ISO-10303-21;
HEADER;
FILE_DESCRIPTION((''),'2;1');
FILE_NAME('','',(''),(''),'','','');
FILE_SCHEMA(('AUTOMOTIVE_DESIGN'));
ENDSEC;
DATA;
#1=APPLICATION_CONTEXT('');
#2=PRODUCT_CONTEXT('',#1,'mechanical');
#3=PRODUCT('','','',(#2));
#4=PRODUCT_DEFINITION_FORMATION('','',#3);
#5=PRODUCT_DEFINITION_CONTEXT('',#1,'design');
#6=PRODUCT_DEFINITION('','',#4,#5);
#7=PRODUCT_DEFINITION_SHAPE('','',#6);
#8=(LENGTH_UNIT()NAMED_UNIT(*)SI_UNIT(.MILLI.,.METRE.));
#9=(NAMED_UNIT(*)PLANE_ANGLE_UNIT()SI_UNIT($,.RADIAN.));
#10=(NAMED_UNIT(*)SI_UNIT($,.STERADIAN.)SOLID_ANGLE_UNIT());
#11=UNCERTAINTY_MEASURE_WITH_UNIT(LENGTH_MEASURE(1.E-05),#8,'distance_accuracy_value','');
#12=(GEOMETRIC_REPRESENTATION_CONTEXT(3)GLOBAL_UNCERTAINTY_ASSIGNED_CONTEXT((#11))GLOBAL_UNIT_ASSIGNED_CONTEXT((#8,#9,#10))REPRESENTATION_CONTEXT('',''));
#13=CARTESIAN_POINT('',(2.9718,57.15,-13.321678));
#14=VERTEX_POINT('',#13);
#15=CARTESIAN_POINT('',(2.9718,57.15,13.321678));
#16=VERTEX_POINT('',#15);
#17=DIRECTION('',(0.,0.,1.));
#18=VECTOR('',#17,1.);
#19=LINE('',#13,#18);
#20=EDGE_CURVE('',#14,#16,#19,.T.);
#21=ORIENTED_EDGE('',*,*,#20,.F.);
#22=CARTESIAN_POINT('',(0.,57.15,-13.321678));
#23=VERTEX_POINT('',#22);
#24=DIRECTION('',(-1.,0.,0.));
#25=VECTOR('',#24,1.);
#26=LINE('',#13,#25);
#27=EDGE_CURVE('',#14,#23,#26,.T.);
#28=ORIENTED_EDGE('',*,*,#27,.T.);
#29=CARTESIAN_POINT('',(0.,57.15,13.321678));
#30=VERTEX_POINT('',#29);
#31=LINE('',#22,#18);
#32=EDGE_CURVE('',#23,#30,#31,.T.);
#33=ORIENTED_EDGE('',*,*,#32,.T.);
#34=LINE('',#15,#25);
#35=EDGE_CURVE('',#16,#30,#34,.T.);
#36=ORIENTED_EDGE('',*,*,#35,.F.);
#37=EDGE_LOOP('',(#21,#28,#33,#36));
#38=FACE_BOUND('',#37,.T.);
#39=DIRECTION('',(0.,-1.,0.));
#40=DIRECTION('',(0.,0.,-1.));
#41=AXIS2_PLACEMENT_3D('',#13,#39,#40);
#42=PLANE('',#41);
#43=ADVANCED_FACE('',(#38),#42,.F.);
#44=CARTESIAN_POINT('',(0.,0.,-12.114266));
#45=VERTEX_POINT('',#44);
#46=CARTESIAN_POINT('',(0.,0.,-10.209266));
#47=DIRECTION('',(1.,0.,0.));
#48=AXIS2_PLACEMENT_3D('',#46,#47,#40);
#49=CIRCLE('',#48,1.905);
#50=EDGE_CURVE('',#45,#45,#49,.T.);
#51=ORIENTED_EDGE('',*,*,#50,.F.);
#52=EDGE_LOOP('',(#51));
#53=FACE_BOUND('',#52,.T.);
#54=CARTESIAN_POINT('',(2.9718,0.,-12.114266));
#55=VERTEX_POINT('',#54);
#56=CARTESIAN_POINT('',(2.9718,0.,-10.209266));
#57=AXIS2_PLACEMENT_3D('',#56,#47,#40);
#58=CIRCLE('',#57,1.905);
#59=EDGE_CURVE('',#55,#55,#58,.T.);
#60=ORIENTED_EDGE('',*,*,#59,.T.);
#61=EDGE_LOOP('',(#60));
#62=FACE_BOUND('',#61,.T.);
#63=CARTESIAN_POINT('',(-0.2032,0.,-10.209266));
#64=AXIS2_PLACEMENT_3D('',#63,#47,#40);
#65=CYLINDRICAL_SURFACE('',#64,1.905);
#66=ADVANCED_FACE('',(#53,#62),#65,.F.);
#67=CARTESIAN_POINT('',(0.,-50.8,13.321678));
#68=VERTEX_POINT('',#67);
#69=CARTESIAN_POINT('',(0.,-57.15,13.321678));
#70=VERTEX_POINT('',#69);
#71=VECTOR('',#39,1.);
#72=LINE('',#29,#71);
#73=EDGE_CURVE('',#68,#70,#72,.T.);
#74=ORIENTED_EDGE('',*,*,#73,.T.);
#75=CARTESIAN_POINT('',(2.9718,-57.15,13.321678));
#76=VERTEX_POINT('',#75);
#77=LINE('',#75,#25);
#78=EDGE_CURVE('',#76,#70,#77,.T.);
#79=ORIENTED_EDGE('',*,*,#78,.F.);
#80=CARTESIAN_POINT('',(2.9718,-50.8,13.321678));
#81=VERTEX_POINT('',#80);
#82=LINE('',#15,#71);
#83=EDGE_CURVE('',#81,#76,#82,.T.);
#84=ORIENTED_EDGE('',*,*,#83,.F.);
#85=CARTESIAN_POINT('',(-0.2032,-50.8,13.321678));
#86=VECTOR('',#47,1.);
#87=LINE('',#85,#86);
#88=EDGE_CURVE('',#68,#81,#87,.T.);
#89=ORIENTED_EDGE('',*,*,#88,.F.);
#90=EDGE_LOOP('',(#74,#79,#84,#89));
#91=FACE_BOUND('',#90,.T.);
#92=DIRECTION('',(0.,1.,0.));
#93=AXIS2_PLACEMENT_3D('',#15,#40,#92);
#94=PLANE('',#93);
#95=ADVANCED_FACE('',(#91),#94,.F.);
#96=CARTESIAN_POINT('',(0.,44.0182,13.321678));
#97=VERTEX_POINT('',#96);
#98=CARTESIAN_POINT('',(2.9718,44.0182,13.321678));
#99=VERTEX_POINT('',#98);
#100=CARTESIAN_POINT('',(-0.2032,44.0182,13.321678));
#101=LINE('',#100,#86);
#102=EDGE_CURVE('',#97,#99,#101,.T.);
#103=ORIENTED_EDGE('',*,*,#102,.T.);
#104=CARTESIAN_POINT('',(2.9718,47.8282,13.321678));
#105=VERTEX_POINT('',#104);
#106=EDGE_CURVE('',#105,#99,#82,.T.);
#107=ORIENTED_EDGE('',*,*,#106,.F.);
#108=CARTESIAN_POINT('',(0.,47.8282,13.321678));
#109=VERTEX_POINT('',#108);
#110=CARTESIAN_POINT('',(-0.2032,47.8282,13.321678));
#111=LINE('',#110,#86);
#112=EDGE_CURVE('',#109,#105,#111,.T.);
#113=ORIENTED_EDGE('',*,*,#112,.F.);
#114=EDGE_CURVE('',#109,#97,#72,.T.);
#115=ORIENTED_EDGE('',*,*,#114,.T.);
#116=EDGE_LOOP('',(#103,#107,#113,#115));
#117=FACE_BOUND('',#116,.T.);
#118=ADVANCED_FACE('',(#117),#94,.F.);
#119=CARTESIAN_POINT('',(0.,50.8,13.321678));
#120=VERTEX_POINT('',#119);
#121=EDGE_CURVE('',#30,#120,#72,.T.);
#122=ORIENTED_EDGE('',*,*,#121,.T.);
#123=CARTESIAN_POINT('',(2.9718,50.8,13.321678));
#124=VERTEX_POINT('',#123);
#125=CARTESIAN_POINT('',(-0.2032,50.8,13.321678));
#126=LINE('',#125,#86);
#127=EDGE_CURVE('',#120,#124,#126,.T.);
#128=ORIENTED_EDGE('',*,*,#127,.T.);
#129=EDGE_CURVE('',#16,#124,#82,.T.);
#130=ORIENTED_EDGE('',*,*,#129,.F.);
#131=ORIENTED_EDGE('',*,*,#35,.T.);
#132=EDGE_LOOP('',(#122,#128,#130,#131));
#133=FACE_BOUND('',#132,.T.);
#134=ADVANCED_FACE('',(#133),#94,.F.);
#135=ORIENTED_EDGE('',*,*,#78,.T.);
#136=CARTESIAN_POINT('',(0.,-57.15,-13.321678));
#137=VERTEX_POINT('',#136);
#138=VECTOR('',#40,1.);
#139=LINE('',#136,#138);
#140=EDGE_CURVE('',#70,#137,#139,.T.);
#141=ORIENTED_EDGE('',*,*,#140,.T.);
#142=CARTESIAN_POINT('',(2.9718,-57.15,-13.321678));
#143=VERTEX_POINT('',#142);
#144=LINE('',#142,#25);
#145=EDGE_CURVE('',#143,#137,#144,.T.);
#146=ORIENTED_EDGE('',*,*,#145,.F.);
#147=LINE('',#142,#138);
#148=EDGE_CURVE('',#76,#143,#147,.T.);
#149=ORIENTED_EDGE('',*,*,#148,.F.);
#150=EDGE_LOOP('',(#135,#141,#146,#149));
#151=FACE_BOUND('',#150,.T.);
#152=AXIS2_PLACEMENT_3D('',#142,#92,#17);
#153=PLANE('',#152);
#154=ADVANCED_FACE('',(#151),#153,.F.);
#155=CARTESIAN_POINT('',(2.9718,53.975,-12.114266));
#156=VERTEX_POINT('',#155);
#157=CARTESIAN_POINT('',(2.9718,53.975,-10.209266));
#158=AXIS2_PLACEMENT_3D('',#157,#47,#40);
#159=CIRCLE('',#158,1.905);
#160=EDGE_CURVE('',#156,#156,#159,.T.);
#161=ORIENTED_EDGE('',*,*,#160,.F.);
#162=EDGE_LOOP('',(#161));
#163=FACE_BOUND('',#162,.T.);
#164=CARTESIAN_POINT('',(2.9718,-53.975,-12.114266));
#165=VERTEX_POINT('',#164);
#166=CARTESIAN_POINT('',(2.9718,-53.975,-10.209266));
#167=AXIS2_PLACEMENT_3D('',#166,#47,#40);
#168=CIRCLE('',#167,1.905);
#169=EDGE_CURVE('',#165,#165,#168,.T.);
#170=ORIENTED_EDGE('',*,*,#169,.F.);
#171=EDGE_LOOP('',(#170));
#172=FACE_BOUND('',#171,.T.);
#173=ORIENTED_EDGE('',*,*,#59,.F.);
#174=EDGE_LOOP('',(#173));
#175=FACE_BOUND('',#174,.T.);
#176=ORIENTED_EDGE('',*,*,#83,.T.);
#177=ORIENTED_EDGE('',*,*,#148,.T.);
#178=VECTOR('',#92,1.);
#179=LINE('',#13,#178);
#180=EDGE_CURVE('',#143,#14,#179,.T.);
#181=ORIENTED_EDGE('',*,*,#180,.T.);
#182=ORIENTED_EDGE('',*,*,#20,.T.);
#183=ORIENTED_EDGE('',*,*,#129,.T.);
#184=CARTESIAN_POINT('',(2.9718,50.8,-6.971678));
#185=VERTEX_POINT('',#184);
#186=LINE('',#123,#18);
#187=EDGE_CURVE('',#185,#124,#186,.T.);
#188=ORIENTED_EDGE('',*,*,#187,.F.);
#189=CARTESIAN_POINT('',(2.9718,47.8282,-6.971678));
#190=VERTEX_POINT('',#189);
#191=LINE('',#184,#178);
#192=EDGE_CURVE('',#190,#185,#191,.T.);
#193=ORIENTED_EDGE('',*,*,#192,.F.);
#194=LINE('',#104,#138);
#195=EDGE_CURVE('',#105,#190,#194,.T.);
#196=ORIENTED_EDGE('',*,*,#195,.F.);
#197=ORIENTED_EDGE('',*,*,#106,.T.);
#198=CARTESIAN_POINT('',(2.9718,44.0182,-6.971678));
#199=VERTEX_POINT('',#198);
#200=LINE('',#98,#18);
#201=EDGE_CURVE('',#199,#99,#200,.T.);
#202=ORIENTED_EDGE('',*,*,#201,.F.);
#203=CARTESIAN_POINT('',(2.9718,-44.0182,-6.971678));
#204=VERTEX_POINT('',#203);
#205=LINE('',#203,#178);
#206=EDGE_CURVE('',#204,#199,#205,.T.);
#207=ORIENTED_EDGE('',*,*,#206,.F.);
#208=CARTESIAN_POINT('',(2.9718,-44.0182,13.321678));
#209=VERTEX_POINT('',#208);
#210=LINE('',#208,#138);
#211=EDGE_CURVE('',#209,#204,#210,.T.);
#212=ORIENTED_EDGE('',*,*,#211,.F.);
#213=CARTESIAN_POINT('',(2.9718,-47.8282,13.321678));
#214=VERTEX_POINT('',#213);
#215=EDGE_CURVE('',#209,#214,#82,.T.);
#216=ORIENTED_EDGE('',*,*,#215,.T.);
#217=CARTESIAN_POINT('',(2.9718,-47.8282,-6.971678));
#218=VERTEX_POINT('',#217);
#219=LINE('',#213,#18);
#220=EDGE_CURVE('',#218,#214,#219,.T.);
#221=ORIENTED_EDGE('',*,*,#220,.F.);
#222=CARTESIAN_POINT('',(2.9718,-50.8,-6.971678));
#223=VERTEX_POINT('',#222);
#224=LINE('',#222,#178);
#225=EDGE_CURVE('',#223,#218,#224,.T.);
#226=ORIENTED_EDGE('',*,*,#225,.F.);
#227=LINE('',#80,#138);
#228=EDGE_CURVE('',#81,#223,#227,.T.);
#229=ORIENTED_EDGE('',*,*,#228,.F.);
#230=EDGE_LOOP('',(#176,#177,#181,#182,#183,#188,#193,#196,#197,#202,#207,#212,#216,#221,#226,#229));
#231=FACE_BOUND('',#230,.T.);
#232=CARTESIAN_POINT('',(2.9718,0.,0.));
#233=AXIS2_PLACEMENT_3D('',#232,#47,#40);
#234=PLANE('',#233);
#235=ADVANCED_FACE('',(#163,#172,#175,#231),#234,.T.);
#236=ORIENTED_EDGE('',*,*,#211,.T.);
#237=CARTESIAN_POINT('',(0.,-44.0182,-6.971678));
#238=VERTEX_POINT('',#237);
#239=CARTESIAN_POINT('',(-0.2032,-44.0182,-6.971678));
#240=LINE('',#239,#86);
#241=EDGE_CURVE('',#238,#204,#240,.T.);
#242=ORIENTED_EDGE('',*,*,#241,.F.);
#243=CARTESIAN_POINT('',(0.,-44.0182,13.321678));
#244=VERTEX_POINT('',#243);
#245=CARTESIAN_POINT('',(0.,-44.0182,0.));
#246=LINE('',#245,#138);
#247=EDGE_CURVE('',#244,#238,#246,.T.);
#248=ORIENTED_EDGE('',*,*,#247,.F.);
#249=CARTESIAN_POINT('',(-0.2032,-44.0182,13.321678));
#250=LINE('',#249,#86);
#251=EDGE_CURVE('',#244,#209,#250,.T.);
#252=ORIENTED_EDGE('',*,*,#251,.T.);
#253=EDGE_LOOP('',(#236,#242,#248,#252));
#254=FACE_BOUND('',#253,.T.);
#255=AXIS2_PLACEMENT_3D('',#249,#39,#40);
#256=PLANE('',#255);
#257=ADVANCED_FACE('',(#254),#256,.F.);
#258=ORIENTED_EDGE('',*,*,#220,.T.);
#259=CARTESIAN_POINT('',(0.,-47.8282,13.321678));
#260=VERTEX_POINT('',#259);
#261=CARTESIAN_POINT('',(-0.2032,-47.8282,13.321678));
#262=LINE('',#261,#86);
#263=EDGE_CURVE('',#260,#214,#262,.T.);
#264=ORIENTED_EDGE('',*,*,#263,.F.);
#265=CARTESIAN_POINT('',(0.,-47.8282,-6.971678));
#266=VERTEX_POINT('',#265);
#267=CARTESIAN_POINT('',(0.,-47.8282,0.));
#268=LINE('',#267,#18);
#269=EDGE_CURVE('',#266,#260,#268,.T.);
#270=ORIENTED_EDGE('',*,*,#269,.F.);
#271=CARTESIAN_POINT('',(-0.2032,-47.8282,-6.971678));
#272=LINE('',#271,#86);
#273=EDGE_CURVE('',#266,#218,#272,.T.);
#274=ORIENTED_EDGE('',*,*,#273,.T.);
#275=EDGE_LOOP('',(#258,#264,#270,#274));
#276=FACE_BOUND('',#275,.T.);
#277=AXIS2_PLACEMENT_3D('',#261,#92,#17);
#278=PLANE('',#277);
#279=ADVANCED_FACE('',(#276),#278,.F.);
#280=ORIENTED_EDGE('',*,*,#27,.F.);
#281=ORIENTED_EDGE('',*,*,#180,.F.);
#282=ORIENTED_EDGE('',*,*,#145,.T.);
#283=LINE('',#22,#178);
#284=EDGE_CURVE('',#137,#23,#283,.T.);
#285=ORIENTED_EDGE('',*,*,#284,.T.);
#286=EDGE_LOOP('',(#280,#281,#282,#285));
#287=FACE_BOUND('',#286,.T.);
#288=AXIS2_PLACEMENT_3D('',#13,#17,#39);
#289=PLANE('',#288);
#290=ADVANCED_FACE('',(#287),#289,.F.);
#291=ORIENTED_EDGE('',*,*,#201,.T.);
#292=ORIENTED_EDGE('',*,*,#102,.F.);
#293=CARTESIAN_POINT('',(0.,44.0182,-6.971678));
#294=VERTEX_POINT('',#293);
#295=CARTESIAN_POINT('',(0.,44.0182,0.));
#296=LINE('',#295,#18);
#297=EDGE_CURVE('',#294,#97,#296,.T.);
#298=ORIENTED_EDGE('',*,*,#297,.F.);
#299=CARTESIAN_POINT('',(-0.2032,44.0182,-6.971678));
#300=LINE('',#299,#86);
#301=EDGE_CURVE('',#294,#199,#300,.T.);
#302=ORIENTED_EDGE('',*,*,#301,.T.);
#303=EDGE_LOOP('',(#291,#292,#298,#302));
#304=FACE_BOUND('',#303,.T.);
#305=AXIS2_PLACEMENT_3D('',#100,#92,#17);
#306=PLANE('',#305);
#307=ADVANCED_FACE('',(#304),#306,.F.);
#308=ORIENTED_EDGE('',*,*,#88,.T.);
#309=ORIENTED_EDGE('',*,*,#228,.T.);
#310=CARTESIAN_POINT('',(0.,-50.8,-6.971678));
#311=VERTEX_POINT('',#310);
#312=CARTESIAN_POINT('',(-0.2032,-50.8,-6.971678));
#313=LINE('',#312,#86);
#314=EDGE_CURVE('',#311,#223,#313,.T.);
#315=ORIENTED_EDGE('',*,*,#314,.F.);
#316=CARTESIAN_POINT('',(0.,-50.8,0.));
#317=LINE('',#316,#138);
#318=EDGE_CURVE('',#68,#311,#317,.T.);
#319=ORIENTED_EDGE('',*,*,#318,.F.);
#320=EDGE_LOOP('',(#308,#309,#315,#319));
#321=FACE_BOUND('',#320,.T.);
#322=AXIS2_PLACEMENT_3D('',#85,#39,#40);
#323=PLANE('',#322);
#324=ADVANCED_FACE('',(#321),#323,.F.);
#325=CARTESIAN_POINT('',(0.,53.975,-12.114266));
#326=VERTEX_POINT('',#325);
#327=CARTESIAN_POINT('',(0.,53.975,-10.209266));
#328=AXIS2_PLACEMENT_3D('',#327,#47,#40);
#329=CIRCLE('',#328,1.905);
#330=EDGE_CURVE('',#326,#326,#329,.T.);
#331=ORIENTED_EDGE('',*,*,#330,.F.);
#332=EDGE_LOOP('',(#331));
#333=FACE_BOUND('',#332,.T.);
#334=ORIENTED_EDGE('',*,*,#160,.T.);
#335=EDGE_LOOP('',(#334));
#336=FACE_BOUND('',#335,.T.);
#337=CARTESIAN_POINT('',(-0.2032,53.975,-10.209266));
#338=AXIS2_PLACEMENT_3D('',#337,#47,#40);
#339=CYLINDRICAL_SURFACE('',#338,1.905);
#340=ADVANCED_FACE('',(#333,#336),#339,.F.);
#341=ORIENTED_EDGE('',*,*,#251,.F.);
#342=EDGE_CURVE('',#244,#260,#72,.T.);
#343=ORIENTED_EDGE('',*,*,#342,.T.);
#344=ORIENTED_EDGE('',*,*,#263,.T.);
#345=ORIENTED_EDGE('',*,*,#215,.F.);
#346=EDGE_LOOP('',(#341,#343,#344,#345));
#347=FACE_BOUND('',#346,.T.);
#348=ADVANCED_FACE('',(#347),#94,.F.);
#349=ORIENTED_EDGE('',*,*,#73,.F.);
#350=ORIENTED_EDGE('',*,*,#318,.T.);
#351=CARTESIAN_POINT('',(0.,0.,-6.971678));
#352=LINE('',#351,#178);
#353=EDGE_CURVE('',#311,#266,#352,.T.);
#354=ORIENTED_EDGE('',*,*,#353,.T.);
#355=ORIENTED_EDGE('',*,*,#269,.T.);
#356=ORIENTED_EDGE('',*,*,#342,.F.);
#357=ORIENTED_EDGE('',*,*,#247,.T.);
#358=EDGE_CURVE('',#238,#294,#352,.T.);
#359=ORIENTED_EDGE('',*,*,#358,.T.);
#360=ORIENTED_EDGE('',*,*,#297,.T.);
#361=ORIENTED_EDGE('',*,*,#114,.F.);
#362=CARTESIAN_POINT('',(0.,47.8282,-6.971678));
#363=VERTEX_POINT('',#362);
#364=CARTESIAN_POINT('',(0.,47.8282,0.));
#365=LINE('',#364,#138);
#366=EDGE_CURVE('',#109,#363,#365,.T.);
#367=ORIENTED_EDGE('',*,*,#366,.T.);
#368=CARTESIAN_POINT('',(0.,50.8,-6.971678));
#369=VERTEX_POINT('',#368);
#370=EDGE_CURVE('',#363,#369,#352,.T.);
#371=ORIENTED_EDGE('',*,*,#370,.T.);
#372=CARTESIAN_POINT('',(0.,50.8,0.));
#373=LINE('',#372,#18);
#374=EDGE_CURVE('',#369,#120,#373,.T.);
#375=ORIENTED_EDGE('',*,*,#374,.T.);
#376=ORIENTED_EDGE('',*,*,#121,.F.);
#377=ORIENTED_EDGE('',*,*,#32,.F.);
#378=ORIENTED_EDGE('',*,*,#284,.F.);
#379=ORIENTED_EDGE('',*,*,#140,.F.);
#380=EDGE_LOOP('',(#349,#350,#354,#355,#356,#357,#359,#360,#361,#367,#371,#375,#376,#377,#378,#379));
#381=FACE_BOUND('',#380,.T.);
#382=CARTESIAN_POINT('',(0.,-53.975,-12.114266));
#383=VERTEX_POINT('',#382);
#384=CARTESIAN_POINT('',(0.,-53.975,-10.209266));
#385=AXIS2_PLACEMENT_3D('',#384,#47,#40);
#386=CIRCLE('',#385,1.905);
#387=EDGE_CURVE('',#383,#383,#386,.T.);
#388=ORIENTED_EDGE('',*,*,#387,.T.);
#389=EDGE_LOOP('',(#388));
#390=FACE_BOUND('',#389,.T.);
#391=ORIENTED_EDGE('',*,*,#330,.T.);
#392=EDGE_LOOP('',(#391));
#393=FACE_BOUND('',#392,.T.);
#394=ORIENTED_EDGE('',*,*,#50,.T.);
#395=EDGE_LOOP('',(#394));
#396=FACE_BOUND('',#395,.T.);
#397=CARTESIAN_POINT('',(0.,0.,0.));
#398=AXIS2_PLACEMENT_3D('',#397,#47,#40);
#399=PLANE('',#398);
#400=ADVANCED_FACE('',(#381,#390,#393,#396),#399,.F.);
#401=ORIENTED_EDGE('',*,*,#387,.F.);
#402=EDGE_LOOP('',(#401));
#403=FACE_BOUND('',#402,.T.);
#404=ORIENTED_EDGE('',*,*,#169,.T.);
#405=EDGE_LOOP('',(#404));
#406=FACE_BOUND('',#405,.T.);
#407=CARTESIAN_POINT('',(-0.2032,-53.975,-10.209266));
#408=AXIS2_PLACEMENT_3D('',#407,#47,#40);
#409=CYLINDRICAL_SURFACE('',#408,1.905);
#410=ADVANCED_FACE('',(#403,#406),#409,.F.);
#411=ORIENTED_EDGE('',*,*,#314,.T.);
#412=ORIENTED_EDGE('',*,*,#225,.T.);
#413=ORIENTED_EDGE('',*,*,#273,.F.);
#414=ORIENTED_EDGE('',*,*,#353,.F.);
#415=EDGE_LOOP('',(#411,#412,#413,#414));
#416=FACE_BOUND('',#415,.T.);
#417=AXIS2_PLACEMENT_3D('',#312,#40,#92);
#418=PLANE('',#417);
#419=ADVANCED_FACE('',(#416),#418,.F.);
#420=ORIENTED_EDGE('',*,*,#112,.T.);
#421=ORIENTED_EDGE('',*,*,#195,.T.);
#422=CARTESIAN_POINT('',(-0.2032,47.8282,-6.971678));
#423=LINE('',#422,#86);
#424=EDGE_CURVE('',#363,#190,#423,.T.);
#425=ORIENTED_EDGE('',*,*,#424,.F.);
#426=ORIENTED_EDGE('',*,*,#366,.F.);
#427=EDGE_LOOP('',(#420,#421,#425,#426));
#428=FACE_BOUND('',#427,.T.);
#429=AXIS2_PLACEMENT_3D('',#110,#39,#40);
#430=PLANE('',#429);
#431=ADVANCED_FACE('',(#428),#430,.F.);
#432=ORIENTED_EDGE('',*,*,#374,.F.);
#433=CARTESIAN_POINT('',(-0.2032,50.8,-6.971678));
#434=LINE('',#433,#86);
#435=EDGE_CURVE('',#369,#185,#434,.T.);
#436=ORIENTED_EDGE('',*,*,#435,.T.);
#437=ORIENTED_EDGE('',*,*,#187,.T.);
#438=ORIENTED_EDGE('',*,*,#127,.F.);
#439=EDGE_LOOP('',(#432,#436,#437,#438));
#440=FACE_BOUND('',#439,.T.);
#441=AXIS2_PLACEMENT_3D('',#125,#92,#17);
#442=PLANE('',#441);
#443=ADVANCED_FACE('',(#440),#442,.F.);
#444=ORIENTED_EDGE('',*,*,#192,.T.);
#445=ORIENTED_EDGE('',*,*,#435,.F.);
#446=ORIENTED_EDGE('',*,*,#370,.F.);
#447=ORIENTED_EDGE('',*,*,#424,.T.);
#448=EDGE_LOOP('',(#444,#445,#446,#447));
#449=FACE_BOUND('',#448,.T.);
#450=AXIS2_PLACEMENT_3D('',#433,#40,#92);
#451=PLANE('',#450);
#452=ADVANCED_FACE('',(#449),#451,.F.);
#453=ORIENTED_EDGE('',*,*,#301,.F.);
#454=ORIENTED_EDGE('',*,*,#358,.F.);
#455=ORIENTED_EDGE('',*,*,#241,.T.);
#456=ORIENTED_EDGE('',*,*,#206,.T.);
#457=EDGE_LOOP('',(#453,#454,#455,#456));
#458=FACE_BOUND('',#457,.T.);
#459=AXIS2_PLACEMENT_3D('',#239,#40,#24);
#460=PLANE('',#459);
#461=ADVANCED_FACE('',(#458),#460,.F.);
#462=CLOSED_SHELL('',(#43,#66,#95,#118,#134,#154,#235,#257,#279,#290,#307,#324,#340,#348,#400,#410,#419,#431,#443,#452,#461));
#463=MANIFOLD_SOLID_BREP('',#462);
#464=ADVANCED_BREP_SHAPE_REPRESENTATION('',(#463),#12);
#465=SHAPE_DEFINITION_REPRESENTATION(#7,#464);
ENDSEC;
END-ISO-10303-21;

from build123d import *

# Parameters (mm, degrees)
SKETCH1_W           = 114.3
SKETCH1_H           = 26.643356644
BOSS_EXTRUDE1_DEPTH = 2.9718
SKETCH2_W           = 2.9718
SKETCH2_H           = 20.293356644
SKETCH2_W_2         = 88.0364
CUT_EXTRUDE1_DEPTH  = 3.175
SKETCH3_R           = 1.905
CUT_EXTRUDE2_DEPTH  = 3.175


with BuildPart() as part:
    # Sketch1 → Boss-Extrude1 (new body)
    with BuildSketch(Plane.YZ):
        Rectangle(SKETCH1_W, SKETCH1_H)
    extrude(amount=BOSS_EXTRUDE1_DEPTH)

    # Sketch2 → Cut-Extrude1 (cut)
    with BuildSketch(Plane.YZ.offset(2.9718)):
        with Locations((-49.3141, 3.175)):
            Rectangle(SKETCH2_W, SKETCH2_H)
        with Locations((49.3141, 3.175)):
            Rectangle(SKETCH2_W, SKETCH2_H)
        with Locations((0, 3.175)):
            Rectangle(SKETCH2_W_2, SKETCH2_H)
    extrude(amount=-CUT_EXTRUDE1_DEPTH, mode=Mode.SUBTRACT)

    # Sketch3 → Cut-Extrude2 (cut)
    with BuildSketch(Plane.YZ.offset(2.9718)):
        with Locations(Location((0, -10.209266023, 0), (0, 0, 270))):
            Circle(SKETCH3_R)
        with Locations(Location((-53.975, -10.209266023, 0), (0, 0, 270))):
            Circle(SKETCH3_R)
        with Locations(Location((53.975, -10.209266023, 0), (0, 0, 270))):
            Circle(SKETCH3_R)
    extrude(amount=-CUT_EXTRUDE2_DEPTH, mode=Mode.SUBTRACT)


solid = part.part
